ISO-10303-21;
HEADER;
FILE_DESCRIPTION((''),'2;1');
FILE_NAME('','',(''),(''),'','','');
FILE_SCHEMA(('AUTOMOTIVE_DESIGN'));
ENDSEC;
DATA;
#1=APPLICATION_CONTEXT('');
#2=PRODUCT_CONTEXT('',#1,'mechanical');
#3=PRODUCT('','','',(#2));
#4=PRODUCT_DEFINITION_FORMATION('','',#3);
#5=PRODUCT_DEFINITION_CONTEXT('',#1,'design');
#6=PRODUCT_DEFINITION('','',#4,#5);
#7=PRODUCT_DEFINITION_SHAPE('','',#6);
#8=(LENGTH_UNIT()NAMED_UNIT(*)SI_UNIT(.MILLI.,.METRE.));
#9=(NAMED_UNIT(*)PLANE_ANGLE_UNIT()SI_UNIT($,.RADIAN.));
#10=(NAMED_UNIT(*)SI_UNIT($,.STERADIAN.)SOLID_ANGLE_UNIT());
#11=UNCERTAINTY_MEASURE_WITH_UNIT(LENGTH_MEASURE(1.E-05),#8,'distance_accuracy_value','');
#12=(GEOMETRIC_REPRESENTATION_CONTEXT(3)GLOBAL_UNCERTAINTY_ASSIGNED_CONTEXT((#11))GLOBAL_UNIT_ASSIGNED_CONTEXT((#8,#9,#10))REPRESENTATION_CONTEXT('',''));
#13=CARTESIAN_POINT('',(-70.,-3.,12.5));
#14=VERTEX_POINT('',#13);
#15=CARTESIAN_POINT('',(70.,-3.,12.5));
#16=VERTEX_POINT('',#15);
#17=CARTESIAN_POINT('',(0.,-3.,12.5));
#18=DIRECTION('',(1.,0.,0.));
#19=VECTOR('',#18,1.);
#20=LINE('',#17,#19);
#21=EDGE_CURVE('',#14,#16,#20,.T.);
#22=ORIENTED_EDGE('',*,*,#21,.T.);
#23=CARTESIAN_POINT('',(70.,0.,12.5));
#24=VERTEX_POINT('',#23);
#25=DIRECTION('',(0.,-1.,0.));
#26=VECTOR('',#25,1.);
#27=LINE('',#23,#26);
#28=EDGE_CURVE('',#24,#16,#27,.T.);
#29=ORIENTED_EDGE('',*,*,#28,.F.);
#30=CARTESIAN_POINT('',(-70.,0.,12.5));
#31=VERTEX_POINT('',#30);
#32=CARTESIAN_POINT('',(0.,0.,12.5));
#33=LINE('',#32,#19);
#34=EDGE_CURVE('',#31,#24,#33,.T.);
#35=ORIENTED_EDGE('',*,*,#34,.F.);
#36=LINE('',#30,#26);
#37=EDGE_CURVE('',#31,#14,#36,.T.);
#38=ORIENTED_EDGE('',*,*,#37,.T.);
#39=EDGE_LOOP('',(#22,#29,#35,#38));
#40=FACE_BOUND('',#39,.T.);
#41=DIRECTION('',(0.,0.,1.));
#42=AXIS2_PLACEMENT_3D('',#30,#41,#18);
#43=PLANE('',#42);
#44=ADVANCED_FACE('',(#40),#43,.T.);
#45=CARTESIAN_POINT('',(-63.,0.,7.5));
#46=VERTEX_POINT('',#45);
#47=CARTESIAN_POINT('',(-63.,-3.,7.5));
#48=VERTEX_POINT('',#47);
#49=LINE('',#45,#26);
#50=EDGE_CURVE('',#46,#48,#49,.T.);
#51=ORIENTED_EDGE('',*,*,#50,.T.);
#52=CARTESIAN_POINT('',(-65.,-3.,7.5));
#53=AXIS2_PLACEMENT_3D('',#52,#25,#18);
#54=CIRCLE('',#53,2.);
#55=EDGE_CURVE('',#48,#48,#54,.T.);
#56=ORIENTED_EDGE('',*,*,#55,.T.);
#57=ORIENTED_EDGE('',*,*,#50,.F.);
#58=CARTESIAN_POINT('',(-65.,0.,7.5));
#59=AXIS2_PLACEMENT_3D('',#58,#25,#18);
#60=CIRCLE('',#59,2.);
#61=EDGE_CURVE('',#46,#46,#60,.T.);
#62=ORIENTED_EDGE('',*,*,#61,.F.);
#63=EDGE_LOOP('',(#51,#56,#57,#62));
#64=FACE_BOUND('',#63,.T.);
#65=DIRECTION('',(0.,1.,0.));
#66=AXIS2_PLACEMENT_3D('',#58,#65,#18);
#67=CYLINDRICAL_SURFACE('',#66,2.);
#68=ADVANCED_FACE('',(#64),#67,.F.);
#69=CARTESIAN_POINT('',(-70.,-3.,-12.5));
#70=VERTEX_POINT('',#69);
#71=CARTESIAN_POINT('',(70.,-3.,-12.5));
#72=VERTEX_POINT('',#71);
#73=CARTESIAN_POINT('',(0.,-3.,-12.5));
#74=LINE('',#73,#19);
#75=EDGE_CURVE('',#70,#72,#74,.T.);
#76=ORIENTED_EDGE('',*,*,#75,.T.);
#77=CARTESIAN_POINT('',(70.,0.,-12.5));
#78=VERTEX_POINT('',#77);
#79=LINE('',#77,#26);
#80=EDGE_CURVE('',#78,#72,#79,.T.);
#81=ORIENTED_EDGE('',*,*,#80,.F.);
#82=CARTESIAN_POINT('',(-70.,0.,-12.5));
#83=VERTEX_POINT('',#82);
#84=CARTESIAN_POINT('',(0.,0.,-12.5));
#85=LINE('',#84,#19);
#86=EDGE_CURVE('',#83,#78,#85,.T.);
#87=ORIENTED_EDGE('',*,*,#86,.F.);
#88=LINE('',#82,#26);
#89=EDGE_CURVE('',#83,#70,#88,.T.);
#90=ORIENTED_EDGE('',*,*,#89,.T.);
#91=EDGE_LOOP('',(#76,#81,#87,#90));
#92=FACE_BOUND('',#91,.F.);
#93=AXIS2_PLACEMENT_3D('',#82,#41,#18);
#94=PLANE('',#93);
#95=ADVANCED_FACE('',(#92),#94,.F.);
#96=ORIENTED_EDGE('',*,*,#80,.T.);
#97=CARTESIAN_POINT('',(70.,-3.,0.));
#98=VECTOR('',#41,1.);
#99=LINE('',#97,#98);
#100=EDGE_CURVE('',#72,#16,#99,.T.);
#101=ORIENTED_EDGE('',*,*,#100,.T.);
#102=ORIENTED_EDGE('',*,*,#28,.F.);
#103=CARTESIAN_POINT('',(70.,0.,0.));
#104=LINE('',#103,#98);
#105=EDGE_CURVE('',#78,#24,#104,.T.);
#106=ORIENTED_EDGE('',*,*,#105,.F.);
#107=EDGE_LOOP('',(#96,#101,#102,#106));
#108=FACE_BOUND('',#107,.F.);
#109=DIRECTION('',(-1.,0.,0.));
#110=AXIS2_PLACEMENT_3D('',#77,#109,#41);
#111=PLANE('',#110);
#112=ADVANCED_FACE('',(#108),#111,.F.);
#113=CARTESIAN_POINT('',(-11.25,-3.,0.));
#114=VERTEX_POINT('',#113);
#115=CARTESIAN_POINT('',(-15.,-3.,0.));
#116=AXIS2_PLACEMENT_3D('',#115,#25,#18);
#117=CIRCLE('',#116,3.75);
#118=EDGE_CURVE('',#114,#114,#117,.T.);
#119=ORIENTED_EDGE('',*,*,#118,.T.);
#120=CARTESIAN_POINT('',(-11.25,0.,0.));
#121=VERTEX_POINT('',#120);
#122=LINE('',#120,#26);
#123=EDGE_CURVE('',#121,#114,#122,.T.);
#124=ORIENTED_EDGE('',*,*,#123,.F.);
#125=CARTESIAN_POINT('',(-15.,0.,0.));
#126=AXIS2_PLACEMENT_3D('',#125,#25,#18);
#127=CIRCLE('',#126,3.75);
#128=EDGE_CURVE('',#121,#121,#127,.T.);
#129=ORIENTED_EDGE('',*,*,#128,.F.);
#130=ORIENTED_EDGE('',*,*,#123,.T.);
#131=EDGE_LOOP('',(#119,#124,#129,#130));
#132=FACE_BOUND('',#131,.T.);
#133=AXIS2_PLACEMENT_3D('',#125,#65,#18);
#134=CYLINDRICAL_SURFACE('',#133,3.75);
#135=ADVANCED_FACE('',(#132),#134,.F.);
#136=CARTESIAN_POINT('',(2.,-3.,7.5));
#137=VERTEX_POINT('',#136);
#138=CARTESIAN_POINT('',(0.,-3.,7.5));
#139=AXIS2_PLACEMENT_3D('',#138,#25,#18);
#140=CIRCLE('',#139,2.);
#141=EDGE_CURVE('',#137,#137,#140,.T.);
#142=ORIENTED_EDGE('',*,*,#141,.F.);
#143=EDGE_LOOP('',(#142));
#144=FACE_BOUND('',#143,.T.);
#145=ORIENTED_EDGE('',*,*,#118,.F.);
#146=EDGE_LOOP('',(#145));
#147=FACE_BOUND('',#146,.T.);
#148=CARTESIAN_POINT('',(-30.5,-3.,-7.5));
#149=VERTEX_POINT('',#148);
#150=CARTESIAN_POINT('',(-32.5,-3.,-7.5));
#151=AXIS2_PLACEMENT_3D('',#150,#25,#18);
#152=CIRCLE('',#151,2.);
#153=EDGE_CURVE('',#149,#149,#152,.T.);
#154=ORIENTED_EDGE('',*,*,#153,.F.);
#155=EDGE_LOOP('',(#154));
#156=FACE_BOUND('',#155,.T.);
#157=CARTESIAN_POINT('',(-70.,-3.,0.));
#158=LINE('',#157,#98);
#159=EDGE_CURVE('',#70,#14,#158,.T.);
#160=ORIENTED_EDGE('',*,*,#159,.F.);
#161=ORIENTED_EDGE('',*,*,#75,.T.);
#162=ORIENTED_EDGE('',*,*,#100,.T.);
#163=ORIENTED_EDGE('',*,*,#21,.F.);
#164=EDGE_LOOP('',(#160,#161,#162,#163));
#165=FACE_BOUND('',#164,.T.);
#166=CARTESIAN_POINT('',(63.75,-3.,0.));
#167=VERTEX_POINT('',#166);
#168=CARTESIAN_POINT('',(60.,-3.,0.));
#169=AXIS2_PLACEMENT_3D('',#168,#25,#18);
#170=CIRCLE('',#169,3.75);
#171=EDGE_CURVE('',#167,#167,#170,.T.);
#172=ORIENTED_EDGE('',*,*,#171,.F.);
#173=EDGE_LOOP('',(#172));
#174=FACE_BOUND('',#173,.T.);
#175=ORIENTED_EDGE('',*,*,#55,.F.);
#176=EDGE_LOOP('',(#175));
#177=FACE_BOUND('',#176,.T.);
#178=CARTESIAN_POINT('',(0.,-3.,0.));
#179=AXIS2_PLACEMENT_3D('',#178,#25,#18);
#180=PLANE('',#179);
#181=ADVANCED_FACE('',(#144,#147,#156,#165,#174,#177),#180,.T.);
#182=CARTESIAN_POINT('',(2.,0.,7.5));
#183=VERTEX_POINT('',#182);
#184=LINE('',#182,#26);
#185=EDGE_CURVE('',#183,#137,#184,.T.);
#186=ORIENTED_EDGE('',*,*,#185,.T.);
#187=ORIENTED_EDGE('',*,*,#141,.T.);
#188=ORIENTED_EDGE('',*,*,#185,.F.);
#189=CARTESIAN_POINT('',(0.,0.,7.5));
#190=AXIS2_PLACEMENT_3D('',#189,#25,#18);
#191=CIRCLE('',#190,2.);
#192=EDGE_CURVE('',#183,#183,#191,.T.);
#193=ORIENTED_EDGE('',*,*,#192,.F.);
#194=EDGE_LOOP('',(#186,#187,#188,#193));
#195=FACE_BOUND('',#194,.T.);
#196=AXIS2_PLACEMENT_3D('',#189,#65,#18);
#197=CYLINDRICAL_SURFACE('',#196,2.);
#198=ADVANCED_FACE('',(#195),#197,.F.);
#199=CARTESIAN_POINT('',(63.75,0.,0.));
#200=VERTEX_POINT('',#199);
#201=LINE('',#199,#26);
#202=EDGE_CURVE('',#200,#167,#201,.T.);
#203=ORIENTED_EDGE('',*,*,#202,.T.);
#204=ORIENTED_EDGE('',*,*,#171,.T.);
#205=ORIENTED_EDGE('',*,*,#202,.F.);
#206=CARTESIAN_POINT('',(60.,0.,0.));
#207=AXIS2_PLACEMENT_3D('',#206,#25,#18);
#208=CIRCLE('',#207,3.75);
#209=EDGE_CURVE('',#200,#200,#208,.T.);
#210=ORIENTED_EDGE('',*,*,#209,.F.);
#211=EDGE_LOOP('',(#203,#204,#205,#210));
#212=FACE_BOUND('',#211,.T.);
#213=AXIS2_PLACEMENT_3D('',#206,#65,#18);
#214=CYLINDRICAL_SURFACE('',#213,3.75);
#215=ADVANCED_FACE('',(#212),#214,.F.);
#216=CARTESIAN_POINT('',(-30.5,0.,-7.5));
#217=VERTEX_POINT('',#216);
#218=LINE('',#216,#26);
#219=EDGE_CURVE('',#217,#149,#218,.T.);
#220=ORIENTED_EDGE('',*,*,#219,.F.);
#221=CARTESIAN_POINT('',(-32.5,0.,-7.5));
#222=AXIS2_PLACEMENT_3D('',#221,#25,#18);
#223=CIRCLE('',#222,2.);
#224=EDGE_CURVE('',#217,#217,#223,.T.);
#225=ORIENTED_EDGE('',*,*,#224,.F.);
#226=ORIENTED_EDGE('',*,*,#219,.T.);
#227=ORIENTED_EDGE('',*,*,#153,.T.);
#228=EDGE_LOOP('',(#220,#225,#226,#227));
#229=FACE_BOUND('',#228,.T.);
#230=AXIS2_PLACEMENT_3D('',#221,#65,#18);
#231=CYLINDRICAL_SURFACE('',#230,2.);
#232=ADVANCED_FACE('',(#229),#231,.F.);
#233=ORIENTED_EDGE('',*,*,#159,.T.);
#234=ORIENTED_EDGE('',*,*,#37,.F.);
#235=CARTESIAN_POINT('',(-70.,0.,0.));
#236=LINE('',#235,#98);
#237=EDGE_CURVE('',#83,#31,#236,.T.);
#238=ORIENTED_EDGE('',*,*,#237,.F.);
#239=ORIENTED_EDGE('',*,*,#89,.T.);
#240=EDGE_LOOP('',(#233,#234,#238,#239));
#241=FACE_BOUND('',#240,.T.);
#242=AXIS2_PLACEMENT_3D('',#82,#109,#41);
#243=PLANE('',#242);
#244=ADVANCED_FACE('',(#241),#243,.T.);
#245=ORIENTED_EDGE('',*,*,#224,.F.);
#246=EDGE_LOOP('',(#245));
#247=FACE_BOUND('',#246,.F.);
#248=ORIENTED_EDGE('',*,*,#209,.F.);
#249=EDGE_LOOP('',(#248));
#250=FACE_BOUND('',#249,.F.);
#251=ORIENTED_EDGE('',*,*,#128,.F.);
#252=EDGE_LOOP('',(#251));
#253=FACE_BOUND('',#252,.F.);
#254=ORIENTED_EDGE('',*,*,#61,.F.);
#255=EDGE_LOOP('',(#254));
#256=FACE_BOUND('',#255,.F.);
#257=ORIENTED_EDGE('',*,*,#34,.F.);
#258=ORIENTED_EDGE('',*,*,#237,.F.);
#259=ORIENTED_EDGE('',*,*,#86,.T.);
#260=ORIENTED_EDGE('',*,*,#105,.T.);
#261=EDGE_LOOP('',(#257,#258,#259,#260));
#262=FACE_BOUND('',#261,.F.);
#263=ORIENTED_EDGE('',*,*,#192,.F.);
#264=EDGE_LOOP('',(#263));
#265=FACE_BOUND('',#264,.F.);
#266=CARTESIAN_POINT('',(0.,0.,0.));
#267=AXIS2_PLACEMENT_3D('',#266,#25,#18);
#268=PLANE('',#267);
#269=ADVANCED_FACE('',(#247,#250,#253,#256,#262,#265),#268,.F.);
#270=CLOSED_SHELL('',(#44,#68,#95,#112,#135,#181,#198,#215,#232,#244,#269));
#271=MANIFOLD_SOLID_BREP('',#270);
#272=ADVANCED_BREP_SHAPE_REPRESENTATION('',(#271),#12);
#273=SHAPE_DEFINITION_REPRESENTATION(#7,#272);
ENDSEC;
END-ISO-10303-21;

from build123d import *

# Parameters (mm, degrees)
F0_W     = 140
F0_H     = 25
F0_R     = 2
F0_R_2   = 3.75
F1_DEPTH = 3


with BuildPart() as f1:
    # F0 (on Front) → F1 (new body)
    with BuildSketch(Plane.XZ):
        Rectangle(F0_W, F0_H)
        with Locations((-32.5, -7.5)):
            Circle(F0_R, mode=Mode.SUBTRACT)
        with Locations((-15, 0)):
            Circle(F0_R_2, mode=Mode.SUBTRACT)
        with Locations((-65, 7.5)):
            Circle(F0_R, mode=Mode.SUBTRACT)
        with Locations((60, 0)):
            Circle(F0_R_2, mode=Mode.SUBTRACT)
        with Locations((0, 7.5)):
            Circle(F0_R, mode=Mode.SUBTRACT)
    extrude(amount=F1_DEPTH)


solid = f1.part
